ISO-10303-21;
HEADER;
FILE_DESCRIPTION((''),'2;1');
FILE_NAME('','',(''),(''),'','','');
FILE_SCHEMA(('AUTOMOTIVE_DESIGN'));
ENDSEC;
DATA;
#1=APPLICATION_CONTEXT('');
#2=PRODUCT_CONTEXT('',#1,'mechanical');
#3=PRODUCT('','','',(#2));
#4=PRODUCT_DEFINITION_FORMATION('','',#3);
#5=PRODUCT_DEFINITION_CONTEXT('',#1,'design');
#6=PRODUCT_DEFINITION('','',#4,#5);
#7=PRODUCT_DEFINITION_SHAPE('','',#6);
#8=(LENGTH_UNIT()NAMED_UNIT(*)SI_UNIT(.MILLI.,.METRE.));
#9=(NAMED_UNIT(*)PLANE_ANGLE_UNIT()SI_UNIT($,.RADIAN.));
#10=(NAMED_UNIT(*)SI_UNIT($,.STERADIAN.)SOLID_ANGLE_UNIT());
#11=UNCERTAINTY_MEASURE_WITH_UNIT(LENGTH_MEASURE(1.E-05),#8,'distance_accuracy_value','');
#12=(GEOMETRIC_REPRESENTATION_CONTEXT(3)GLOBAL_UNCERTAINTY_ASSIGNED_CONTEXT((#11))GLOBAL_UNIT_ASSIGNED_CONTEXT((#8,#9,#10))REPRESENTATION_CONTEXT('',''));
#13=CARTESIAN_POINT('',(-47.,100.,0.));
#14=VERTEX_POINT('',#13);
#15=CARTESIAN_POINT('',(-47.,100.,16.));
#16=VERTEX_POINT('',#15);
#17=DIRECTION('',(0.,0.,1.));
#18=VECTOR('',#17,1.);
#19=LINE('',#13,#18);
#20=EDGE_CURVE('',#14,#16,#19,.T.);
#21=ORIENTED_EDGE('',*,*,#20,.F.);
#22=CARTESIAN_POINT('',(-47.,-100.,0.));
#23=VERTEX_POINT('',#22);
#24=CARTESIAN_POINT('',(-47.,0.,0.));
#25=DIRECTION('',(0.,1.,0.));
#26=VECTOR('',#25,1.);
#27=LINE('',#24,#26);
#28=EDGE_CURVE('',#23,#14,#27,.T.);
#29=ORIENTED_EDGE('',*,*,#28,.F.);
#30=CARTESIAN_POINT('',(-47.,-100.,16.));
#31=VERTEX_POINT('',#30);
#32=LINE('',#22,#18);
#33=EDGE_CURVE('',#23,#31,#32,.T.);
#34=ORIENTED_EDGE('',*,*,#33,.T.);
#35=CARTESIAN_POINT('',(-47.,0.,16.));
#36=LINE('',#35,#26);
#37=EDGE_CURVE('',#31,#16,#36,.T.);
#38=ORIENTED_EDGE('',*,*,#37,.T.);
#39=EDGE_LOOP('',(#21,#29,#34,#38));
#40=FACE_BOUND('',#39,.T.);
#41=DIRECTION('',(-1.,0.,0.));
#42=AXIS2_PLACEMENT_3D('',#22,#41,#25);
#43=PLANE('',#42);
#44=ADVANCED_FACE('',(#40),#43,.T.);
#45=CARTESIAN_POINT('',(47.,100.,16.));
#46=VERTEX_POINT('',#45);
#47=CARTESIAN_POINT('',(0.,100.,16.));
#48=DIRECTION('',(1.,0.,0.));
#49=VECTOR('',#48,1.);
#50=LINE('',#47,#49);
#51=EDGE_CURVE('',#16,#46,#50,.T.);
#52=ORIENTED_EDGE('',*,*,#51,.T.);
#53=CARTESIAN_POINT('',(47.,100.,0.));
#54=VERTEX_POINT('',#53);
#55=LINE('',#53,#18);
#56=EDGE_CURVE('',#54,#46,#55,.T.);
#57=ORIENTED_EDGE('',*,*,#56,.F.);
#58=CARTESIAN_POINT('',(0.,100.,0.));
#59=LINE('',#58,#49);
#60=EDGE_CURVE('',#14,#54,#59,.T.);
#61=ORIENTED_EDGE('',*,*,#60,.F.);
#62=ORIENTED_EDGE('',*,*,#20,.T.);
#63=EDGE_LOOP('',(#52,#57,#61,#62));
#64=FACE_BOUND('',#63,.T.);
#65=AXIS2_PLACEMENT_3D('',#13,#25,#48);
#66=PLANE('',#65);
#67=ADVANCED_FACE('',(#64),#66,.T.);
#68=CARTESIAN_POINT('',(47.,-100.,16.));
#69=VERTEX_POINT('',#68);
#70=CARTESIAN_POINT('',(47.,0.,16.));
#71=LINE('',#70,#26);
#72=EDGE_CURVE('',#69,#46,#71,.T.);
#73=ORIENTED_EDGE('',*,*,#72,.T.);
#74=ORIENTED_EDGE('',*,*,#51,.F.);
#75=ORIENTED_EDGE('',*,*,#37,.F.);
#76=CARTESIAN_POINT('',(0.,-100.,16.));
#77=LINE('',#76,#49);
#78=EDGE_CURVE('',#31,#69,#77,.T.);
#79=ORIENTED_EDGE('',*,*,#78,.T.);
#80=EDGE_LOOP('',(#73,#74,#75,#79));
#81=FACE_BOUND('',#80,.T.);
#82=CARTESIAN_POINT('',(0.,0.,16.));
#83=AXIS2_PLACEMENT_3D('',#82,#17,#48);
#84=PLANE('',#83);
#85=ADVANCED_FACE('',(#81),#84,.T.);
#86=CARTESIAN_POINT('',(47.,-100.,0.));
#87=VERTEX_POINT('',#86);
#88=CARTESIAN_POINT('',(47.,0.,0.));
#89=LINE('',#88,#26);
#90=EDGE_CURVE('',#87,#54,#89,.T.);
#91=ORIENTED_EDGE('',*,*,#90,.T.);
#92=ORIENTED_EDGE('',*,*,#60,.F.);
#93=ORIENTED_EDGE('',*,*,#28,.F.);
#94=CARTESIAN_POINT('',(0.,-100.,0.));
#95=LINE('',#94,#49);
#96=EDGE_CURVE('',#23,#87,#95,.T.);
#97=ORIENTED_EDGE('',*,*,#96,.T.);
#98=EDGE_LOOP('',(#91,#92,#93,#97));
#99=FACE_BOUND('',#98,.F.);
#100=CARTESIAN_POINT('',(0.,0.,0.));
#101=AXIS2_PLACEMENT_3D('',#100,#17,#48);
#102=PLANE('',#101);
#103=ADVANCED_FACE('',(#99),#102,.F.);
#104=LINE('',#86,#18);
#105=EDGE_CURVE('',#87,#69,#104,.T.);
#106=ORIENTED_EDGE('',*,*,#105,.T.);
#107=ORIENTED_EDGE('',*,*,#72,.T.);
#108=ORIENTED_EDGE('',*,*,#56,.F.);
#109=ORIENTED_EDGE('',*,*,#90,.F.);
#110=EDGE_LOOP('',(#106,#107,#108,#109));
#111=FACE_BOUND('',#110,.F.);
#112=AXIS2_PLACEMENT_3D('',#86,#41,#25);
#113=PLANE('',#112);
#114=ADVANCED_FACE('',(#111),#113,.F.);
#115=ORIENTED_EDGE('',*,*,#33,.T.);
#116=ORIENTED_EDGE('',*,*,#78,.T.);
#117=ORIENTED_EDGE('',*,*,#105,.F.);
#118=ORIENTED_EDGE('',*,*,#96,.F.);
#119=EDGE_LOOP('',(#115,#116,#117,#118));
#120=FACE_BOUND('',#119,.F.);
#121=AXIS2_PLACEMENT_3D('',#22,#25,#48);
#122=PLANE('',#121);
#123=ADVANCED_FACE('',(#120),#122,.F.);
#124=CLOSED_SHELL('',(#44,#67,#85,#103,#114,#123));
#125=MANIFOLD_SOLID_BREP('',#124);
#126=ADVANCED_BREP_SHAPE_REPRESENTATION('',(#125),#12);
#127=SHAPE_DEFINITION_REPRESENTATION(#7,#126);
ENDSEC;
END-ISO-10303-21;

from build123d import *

# Parameters (mm, degrees)
SKETCH_1_W      = 94
SKETCH_1_H      = 200
EXTRUDE_1_DEPTH = 16


with BuildPart() as part:
    # 草图1 → 凸台-拉伸1 (new body)
    with BuildSketch(Plane.XY):
        Rectangle(SKETCH_1_W, SKETCH_1_H)
    extrude(amount=EXTRUDE_1_DEPTH)


solid = part.part
